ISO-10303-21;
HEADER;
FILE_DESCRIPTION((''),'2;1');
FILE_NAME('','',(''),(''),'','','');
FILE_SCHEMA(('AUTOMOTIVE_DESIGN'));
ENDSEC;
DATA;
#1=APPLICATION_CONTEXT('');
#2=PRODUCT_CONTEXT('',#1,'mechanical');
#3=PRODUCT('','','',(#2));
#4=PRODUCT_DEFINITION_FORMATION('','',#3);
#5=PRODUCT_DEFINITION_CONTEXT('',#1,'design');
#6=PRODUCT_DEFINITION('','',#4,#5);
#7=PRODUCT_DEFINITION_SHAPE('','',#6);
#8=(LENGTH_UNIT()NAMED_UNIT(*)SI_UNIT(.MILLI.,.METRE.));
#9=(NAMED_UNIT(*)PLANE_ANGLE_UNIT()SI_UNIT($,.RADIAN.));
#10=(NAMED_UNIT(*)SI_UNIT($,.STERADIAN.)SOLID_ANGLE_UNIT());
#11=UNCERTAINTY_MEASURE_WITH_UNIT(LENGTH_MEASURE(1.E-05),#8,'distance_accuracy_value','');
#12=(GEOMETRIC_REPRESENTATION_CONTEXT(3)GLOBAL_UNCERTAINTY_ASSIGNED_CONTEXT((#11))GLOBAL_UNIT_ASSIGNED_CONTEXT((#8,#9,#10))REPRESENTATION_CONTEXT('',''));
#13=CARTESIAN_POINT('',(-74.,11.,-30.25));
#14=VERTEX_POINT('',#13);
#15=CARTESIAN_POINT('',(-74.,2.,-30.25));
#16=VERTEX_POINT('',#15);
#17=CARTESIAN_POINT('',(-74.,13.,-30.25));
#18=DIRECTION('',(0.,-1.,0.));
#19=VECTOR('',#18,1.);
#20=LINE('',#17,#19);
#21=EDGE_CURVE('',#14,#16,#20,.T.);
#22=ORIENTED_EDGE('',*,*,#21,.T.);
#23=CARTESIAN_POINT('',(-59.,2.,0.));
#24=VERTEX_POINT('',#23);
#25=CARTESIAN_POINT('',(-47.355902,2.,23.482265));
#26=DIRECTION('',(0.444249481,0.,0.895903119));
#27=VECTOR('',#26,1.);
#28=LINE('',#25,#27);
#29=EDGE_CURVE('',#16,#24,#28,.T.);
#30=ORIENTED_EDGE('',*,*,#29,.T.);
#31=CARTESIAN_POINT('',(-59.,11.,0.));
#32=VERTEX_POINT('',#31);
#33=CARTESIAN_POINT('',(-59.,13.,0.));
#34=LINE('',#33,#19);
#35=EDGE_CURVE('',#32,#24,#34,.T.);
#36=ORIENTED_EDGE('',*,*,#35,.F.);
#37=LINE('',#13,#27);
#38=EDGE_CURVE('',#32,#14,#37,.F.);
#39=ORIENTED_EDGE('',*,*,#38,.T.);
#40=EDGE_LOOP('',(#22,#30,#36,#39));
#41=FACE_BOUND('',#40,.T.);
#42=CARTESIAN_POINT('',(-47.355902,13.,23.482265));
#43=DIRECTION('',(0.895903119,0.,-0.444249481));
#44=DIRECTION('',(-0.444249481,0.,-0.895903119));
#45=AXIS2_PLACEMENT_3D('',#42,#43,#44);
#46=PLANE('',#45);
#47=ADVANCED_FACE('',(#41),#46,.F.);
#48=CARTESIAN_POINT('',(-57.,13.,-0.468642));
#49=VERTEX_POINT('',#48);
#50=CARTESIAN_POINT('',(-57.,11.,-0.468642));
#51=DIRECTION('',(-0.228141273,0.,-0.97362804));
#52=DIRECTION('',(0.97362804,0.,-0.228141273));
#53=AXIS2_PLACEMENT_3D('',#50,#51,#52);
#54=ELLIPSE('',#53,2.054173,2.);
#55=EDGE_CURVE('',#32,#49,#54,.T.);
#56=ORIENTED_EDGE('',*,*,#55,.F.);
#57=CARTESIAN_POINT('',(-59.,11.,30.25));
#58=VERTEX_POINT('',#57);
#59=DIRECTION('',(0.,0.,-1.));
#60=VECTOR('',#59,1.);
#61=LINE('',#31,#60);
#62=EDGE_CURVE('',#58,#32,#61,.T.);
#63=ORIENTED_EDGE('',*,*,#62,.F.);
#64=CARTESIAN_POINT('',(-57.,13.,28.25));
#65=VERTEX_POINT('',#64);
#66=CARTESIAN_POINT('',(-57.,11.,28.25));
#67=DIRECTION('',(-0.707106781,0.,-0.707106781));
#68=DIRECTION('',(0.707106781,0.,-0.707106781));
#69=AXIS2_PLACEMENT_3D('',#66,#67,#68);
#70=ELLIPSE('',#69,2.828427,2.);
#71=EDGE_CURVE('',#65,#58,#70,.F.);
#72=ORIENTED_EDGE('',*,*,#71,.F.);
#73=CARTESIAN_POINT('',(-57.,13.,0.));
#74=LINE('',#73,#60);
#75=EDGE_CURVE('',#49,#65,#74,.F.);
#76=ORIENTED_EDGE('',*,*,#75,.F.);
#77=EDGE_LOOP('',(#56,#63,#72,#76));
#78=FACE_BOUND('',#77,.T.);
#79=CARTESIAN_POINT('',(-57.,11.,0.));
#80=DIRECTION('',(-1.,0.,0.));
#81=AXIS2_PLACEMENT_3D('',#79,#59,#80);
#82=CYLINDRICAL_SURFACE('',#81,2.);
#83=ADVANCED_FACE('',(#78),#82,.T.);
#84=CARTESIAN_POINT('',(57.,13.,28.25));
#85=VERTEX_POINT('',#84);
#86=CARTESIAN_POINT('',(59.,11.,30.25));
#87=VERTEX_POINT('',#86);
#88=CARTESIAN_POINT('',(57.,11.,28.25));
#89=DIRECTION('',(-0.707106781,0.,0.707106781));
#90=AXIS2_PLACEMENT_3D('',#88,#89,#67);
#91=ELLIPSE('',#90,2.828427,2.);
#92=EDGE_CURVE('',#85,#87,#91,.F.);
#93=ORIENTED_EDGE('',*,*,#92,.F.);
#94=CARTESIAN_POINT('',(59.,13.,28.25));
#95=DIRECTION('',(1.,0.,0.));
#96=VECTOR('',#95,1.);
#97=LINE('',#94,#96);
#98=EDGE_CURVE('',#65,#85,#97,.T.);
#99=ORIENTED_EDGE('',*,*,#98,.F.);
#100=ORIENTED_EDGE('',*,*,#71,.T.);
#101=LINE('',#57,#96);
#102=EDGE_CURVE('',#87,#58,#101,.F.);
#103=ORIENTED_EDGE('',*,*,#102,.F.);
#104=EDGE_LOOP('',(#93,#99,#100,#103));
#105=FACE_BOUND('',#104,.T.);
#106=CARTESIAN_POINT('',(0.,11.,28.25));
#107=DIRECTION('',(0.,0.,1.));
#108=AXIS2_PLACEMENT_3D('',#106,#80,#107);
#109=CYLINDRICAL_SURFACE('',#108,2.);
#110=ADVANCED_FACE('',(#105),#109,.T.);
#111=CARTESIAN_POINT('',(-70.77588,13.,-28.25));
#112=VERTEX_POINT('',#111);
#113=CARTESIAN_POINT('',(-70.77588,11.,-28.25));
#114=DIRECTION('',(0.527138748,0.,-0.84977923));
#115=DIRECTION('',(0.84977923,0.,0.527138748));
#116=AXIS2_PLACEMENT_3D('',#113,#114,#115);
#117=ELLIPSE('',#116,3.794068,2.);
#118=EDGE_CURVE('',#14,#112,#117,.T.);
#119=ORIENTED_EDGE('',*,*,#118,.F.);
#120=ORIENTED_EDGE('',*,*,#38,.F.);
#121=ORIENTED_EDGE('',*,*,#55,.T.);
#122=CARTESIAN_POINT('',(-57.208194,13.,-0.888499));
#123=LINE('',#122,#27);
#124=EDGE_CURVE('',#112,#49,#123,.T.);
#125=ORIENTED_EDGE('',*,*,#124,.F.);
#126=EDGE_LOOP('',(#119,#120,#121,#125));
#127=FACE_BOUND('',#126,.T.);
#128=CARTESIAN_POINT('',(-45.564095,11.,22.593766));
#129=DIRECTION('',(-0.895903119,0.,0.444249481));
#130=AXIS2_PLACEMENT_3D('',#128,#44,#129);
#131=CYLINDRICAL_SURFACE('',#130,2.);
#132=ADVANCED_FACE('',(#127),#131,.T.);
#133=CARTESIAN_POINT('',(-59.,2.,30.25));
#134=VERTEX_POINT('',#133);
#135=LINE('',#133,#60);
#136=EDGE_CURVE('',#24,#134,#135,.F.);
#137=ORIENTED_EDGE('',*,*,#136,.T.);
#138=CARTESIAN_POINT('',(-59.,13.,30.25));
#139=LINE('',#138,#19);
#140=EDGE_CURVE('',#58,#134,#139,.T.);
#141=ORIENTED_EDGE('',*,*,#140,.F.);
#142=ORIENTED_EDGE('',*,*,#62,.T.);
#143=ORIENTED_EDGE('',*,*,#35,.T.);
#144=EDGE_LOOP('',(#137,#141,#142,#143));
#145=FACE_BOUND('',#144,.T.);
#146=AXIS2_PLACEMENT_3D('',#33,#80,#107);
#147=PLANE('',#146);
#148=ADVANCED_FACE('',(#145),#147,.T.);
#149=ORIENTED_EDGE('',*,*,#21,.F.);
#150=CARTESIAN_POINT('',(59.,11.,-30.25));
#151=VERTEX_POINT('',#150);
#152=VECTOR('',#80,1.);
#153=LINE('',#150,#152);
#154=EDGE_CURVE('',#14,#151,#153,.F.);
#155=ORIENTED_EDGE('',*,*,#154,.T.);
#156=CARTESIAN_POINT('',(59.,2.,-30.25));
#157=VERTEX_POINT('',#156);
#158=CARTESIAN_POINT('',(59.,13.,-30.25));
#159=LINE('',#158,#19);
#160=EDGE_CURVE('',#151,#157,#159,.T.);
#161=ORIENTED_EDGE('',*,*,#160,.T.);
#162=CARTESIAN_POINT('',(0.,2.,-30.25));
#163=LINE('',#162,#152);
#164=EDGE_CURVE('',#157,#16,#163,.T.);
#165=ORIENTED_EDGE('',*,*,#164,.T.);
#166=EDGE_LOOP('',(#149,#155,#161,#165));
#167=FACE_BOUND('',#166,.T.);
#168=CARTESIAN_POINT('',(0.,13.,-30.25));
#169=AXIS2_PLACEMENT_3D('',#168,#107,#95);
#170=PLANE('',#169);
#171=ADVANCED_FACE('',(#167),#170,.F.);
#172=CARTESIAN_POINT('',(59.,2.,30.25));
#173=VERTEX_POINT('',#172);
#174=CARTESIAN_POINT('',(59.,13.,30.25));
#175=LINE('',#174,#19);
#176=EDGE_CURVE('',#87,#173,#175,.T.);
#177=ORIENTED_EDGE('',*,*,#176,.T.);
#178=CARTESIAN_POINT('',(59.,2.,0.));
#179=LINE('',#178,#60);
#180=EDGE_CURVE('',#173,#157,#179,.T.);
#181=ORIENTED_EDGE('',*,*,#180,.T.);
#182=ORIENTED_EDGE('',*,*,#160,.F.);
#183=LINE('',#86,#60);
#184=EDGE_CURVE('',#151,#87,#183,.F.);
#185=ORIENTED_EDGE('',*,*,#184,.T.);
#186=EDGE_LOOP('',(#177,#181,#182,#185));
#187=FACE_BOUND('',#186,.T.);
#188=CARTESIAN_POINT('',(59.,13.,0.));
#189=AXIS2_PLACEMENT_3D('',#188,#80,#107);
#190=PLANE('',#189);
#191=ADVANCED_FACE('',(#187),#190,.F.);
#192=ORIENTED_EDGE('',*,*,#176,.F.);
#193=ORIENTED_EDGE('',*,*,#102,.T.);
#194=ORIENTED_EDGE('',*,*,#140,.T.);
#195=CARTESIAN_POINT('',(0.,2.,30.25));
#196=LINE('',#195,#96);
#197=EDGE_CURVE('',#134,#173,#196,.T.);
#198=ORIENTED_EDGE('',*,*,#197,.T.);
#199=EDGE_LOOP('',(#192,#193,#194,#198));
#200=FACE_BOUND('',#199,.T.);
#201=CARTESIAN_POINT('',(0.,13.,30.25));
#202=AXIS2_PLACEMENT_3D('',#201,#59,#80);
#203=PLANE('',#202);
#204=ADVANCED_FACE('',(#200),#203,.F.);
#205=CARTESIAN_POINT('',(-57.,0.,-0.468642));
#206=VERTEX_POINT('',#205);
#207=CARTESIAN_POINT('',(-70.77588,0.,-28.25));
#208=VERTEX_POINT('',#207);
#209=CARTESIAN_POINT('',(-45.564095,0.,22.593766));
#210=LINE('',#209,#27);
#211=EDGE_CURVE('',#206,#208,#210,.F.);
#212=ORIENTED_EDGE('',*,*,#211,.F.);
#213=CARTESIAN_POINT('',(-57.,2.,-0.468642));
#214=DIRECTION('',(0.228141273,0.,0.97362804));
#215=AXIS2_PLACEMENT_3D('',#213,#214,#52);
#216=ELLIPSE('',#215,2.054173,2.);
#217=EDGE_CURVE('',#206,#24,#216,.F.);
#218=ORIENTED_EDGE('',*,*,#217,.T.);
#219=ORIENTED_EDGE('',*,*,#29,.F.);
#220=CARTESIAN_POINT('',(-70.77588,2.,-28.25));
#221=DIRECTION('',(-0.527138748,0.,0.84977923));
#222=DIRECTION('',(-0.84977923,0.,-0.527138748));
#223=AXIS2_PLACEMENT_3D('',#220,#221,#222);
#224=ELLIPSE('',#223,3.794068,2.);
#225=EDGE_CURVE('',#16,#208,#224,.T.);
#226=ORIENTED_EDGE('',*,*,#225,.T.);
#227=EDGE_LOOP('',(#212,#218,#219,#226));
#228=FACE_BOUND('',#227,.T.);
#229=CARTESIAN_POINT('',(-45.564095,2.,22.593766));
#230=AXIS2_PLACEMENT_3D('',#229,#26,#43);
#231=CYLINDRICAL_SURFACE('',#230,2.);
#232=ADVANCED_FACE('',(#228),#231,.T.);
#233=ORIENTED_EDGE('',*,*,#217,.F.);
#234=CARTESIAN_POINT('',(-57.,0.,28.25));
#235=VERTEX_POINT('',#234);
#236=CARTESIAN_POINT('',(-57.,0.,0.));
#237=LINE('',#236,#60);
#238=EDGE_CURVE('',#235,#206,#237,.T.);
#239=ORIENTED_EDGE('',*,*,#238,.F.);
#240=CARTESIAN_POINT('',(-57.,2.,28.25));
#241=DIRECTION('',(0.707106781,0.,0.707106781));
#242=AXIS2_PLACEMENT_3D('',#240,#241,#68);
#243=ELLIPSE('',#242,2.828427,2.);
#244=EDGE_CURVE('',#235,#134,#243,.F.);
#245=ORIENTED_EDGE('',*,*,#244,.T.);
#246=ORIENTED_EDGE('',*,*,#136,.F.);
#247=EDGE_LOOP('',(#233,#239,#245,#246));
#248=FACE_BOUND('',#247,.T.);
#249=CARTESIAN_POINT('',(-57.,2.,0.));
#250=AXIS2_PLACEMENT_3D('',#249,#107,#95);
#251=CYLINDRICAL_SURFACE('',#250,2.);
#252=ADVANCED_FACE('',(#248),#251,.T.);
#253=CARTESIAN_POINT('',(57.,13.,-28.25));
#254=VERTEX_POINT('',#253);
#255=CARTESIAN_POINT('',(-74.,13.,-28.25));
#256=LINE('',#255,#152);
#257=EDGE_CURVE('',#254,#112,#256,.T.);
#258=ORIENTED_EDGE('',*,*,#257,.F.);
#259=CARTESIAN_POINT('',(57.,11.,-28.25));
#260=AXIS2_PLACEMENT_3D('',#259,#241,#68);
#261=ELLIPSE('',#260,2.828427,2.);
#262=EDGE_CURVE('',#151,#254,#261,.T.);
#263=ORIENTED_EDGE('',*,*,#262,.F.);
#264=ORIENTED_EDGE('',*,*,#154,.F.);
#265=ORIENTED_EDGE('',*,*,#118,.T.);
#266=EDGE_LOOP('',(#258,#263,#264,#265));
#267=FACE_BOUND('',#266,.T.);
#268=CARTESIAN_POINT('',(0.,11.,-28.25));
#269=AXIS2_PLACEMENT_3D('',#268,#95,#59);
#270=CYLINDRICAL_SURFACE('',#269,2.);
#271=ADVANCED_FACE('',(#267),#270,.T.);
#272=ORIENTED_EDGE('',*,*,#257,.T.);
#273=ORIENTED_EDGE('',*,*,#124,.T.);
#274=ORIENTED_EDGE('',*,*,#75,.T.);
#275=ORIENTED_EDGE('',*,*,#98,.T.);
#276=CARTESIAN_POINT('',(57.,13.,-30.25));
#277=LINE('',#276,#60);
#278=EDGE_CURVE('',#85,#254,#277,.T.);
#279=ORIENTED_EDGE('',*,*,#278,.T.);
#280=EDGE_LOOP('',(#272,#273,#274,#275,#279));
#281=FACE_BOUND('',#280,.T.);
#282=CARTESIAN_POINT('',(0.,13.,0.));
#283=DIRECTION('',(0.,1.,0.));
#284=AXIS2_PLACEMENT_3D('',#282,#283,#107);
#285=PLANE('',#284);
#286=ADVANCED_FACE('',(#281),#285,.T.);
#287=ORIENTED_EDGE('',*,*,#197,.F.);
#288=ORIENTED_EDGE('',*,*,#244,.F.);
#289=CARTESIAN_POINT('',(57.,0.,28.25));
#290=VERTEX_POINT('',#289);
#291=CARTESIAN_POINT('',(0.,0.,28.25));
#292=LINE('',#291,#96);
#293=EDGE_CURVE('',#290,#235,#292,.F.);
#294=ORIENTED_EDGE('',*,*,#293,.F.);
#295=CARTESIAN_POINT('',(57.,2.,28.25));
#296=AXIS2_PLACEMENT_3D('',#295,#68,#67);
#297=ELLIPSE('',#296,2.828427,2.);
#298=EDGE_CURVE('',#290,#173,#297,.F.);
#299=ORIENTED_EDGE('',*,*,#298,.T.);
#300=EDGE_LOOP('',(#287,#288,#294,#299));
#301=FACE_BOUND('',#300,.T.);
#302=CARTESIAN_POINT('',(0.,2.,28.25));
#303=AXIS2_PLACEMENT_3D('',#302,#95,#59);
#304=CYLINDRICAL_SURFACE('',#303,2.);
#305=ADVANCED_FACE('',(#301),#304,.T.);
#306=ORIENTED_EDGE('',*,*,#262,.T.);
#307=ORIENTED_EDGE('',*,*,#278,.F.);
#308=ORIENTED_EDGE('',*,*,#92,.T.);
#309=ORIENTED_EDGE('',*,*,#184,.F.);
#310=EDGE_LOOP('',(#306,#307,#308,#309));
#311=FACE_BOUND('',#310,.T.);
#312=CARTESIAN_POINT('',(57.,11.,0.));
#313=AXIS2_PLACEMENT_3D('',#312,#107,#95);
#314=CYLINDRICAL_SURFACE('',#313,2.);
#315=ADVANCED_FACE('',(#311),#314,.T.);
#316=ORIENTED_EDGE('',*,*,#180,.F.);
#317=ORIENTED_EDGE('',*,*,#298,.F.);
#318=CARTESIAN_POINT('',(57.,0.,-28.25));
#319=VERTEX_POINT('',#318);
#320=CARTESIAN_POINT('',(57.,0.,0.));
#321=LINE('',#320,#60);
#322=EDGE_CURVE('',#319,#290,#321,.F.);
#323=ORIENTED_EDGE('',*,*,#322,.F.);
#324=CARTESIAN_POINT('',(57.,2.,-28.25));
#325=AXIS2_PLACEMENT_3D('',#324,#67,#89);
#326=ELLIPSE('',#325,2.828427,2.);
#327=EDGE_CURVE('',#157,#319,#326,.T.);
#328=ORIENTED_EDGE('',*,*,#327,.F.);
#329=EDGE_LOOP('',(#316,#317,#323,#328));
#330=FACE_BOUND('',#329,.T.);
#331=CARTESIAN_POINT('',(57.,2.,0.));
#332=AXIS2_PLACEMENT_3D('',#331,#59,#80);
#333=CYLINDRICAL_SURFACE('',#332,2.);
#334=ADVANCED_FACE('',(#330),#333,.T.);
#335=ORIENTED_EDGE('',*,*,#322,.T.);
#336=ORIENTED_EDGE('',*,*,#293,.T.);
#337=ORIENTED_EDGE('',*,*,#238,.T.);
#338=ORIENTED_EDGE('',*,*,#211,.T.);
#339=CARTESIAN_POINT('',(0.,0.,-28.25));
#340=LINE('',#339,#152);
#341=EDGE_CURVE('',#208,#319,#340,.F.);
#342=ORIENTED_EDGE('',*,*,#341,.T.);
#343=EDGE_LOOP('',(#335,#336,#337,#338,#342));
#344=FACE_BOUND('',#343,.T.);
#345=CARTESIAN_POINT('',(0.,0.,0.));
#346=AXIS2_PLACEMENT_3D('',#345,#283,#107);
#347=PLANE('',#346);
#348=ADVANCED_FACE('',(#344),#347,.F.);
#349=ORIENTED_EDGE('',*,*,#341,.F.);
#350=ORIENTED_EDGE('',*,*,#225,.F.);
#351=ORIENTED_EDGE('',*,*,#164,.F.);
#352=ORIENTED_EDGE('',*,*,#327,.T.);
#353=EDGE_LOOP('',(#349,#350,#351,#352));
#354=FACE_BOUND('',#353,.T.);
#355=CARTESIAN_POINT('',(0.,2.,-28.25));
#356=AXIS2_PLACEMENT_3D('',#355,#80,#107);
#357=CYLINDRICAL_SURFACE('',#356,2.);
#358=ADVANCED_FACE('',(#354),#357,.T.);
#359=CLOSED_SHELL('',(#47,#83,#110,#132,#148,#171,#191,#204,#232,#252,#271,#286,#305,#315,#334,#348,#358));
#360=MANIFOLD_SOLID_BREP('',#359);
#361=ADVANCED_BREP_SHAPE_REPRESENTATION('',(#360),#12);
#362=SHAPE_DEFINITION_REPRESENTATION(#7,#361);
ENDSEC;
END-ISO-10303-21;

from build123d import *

# Parameters (mm, degrees)
SKETCH_1_W      = 118
SKETCH_1_H      = 60.5
EXTRUDE_1_DEPTH = 13
FILLET_1_R      = 2
FILLET_2_R      = 2


with BuildPart() as part:
    # 草图1 → 凸台-拉伸1 (new body)
    with BuildSketch(Plane(origin=(0, 0, 0), x_dir=(1, 0, 0), z_dir=(0, 1, 0))):
        Polygon((-59, 0), (-59, 30.25), (-74, 30.25), align=None)
        Rectangle(SKETCH_1_W, SKETCH_1_H)
    extrude(amount=EXTRUDE_1_DEPTH)

    # 圆角1
    fillet_1_edges = [part.edges().sort_by_distance(p)[0] for p in [
        (-66.5, 13, -15.125),
        (-59, 13, 15.125),
        (0, 13, 30.25),
        (59, 13, 0),
        (-7.5, 13, -30.25),
    ]]
    fillet(fillet_1_edges, radius=FILLET_1_R)

    # 圆角2
    fillet_2_edges = [part.edges().sort_by_distance(p)[0] for p in [
        (59, 0, 0),
        (0, 0, 30.25),
        (-59, 0, 15.125),
        (-66.5, 0, -15.125),
        (-7.5, 0, -30.25),
    ]]
    fillet(fillet_2_edges, radius=FILLET_2_R)


solid = part.part
